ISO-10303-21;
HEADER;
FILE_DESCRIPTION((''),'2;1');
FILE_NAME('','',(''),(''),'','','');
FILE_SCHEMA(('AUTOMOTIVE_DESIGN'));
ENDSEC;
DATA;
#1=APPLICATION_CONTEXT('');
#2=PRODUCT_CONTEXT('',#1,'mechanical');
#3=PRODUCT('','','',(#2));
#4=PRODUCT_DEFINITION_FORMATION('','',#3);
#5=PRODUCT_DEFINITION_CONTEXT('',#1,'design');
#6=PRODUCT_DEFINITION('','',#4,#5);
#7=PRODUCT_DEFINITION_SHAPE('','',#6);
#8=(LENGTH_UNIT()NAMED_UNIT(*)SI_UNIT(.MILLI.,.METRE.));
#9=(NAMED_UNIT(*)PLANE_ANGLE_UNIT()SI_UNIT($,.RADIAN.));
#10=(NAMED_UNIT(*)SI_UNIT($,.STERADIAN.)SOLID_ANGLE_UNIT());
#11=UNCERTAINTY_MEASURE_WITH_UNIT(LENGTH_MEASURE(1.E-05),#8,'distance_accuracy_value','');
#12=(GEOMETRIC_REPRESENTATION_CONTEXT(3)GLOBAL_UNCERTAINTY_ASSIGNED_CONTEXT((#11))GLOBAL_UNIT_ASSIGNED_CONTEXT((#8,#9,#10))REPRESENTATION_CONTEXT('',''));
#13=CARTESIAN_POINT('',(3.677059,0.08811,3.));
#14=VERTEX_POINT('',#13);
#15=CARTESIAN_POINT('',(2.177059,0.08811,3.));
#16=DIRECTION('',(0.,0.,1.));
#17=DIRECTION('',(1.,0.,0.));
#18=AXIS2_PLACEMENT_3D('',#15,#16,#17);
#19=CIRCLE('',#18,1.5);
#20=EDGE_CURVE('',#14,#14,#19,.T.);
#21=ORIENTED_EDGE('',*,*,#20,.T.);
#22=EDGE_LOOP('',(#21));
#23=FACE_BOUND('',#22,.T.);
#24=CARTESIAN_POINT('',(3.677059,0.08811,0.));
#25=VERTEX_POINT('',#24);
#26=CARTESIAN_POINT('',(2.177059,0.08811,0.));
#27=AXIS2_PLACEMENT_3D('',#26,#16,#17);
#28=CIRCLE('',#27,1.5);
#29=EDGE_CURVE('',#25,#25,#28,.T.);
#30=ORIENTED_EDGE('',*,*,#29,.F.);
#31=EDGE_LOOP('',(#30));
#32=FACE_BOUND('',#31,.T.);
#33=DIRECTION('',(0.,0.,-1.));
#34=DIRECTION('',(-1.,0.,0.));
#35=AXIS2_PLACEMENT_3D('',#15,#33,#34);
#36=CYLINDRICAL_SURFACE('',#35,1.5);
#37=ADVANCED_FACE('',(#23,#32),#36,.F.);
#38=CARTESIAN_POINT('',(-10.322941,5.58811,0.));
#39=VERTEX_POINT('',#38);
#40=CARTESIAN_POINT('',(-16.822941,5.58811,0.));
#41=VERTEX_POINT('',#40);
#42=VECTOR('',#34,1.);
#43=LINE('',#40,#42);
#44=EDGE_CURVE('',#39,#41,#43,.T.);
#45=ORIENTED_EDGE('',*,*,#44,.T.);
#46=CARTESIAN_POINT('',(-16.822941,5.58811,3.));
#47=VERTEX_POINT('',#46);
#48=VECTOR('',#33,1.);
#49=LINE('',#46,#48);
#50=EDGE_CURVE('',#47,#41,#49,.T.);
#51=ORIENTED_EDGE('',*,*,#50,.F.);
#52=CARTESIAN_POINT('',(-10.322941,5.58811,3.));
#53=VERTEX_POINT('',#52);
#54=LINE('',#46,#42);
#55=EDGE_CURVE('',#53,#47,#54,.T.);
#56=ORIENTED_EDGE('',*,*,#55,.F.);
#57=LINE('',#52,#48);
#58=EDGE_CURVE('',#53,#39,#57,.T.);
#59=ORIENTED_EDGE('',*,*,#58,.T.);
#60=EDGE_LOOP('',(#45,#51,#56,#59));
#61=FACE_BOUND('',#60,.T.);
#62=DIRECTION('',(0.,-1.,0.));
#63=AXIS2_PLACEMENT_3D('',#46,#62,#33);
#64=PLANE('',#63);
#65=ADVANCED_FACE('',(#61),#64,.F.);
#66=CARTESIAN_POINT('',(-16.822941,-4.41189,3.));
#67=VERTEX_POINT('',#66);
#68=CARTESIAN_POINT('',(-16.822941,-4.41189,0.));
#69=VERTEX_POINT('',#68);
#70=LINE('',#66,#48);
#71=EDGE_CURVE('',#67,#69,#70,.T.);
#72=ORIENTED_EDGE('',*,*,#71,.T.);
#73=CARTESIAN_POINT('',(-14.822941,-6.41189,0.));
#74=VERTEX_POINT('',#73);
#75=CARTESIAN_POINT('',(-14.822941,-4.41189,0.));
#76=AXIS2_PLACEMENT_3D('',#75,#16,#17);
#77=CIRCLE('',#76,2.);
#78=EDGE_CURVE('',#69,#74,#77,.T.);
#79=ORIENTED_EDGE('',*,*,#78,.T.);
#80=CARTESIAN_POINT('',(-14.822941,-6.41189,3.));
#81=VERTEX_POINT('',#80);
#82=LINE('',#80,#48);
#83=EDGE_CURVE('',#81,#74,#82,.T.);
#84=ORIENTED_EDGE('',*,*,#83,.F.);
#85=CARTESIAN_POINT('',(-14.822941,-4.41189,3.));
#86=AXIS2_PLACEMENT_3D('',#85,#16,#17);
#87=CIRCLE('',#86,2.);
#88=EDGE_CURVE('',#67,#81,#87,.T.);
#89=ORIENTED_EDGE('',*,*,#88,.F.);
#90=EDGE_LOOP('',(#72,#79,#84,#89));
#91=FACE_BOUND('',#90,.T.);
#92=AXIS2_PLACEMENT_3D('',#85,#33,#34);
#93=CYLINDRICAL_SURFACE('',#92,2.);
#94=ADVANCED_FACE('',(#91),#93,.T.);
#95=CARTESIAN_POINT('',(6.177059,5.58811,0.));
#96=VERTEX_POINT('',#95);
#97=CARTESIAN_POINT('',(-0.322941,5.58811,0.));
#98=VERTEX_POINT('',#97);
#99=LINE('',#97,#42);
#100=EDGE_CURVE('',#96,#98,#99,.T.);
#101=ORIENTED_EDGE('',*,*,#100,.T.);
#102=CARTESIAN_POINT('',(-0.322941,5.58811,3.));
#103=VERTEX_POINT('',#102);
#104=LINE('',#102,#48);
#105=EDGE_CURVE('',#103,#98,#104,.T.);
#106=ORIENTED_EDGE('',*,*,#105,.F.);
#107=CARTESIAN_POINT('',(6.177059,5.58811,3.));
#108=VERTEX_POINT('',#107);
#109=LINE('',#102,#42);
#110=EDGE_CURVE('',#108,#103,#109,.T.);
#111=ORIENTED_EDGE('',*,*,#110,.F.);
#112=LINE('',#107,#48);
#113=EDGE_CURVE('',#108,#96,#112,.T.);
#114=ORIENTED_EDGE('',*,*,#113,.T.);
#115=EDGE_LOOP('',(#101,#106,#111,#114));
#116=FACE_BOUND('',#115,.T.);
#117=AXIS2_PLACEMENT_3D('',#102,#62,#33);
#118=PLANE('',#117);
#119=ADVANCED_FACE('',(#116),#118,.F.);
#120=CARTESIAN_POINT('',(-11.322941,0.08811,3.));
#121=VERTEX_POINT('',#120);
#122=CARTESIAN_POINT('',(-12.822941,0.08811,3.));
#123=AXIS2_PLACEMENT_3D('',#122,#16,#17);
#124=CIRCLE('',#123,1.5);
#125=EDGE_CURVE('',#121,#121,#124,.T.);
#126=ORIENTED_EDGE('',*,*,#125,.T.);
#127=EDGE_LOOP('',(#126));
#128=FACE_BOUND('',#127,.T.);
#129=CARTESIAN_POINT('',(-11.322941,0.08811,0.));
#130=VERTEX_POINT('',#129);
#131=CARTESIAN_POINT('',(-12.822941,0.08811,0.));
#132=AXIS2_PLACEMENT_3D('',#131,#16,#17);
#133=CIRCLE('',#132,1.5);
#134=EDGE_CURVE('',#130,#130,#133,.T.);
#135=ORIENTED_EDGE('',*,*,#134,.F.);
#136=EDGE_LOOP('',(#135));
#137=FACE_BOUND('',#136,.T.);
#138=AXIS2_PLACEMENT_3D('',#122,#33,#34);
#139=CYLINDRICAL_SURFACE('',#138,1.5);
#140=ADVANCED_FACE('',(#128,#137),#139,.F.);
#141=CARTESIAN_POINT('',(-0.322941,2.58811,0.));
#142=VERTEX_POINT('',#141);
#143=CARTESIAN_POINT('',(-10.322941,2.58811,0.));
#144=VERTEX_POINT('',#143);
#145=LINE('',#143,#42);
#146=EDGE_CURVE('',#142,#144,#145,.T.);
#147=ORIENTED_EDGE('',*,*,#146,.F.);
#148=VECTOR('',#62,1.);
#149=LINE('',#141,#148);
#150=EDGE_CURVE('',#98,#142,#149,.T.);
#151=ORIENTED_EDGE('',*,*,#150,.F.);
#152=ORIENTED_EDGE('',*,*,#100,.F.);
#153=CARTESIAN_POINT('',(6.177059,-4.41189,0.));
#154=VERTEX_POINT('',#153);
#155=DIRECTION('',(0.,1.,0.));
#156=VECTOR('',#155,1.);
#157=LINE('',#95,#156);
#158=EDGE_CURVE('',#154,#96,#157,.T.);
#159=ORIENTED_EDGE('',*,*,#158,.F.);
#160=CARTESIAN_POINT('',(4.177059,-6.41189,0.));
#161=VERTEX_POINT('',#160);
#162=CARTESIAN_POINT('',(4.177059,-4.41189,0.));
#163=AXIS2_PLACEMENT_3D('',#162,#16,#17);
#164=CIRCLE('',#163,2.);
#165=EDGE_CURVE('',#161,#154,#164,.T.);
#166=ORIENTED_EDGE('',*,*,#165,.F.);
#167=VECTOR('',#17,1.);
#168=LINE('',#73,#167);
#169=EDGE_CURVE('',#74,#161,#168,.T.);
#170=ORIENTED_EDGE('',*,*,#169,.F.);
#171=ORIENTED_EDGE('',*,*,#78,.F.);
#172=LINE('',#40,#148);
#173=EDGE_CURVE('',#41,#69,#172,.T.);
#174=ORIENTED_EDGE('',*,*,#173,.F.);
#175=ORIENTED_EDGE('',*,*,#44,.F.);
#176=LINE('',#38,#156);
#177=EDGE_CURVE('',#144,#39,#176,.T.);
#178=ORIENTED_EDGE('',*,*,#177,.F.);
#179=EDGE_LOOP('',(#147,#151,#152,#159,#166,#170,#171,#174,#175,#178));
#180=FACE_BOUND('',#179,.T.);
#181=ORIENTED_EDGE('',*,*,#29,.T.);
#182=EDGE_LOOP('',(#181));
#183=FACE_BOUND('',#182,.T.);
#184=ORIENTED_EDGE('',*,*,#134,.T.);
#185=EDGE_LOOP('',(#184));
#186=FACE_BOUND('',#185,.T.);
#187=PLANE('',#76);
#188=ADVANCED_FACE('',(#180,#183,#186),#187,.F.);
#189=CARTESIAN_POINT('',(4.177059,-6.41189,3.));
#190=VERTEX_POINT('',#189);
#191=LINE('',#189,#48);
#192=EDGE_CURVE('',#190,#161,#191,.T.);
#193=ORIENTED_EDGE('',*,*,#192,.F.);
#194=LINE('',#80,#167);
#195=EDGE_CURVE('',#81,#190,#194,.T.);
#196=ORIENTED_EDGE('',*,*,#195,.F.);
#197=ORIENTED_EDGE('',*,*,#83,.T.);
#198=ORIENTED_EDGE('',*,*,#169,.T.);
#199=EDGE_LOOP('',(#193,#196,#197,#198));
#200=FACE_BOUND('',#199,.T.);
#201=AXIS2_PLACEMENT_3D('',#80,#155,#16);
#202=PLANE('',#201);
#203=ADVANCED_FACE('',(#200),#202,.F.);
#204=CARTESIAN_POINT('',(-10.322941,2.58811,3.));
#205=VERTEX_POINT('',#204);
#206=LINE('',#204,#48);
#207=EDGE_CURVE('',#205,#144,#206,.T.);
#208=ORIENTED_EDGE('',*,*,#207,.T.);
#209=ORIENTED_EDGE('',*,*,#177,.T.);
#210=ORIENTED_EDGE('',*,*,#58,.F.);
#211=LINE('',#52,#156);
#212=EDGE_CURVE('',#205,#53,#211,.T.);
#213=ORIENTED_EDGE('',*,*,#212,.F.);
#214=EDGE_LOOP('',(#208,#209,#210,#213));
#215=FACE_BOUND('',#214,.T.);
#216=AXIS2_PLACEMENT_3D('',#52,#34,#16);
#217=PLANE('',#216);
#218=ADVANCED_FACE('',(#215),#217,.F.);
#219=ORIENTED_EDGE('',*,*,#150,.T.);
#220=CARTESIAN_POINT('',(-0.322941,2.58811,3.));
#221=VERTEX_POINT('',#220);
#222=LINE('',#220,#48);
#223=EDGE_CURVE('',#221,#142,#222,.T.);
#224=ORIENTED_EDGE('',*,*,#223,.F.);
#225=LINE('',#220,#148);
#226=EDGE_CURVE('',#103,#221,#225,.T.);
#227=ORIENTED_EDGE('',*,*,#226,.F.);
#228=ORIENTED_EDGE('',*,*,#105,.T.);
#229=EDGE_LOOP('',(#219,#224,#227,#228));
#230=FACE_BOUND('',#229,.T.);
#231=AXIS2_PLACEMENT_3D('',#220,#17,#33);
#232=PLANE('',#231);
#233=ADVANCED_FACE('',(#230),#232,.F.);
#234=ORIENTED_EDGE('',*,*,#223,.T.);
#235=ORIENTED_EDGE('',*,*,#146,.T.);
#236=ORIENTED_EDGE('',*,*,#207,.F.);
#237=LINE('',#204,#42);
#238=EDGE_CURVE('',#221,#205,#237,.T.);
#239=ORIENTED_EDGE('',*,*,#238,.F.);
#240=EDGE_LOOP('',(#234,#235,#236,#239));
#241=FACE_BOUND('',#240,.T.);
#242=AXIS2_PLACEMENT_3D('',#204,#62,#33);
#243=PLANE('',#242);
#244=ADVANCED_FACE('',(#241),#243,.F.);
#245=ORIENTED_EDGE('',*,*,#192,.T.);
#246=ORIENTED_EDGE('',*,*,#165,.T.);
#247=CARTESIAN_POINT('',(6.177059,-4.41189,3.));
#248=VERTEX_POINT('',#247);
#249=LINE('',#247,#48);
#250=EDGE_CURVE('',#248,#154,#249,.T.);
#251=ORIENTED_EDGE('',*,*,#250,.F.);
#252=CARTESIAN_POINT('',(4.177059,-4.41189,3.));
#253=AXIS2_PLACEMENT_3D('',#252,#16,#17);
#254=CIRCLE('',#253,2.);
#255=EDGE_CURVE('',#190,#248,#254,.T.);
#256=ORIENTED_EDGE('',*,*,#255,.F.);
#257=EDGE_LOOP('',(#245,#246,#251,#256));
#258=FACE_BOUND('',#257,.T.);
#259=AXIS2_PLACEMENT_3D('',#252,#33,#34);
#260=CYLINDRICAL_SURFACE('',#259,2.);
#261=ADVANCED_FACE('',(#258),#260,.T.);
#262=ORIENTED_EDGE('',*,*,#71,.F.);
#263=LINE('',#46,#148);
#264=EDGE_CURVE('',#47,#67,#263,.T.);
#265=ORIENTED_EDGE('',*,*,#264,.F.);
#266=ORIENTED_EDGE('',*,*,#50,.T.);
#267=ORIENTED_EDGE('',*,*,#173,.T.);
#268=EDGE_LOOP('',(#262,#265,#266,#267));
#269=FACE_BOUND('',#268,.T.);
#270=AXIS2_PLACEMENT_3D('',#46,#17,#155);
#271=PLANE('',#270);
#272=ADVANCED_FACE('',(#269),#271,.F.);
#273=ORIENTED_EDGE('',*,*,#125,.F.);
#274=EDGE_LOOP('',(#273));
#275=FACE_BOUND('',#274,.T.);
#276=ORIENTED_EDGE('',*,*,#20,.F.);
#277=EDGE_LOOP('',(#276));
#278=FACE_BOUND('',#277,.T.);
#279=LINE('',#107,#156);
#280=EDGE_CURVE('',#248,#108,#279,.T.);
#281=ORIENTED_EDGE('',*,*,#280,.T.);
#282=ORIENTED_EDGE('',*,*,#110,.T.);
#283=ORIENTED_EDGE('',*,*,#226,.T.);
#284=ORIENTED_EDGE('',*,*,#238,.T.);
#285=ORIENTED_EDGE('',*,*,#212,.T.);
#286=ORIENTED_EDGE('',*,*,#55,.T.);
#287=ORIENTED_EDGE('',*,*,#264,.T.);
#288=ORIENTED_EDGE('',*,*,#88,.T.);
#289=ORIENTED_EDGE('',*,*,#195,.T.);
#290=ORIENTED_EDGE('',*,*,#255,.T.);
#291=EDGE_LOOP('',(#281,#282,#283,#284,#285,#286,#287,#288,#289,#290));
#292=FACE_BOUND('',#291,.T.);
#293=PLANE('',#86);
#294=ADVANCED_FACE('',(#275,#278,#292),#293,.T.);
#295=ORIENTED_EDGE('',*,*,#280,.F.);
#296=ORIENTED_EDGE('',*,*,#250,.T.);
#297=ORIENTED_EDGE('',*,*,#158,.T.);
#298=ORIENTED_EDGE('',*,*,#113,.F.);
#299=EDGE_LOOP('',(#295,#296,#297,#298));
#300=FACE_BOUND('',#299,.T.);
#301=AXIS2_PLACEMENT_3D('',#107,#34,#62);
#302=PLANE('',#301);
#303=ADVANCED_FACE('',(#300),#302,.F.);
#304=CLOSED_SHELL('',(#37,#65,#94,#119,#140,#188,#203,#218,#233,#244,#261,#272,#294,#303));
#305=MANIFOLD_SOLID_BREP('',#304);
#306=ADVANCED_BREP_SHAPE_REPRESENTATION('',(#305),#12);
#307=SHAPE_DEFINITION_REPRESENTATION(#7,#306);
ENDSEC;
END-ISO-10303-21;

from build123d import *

# Parameters (mm, degrees)
SKETCH1_R           = 1.5
BOSS_EXTRUDE1_DEPTH = 3


with BuildPart() as part:
    # Sketch1 → Boss-Extrude1 (new body)
    with BuildSketch(Plane.XY):
        with BuildLine():
            Line((-10.322941477, 5.588109805), (-10.322941477, 2.588109805))
            Line((-10.322941477, 2.588109805), (-0.322941477, 2.588109805))
            Line((-0.322941477, 2.588109805), (-0.322941477, 5.588109805))
            Line((-0.322941477, 5.588109805), (6.177058523, 5.588109805))
            Line((6.177058523, 5.588109805), (6.177058523, -4.411890195))
            ThreePointArc((6.177058523, -4.411890195), (5.591272086, -5.826103757), (4.177058523, -6.411890195))
            Line((4.177058523, -6.411890195), (-14.822941477, -6.411890195))
            ThreePointArc((-14.822941477, -6.411890195), (-16.237155039, -5.826103757), (-16.822941477, -4.411890195))
            Line((-16.822941477, -4.411890195), (-16.822941477, 5.588109805))
            Line((-16.822941477, 5.588109805), (-10.322941477, 5.588109805))
        make_face()
        with Locations((-12.822941477, 0.088109805)):
            Circle(SKETCH1_R, mode=Mode.SUBTRACT)
        with Locations((2.177058523, 0.088109805)):
            Circle(SKETCH1_R, mode=Mode.SUBTRACT)
    extrude(amount=BOSS_EXTRUDE1_DEPTH)


solid = part.part
